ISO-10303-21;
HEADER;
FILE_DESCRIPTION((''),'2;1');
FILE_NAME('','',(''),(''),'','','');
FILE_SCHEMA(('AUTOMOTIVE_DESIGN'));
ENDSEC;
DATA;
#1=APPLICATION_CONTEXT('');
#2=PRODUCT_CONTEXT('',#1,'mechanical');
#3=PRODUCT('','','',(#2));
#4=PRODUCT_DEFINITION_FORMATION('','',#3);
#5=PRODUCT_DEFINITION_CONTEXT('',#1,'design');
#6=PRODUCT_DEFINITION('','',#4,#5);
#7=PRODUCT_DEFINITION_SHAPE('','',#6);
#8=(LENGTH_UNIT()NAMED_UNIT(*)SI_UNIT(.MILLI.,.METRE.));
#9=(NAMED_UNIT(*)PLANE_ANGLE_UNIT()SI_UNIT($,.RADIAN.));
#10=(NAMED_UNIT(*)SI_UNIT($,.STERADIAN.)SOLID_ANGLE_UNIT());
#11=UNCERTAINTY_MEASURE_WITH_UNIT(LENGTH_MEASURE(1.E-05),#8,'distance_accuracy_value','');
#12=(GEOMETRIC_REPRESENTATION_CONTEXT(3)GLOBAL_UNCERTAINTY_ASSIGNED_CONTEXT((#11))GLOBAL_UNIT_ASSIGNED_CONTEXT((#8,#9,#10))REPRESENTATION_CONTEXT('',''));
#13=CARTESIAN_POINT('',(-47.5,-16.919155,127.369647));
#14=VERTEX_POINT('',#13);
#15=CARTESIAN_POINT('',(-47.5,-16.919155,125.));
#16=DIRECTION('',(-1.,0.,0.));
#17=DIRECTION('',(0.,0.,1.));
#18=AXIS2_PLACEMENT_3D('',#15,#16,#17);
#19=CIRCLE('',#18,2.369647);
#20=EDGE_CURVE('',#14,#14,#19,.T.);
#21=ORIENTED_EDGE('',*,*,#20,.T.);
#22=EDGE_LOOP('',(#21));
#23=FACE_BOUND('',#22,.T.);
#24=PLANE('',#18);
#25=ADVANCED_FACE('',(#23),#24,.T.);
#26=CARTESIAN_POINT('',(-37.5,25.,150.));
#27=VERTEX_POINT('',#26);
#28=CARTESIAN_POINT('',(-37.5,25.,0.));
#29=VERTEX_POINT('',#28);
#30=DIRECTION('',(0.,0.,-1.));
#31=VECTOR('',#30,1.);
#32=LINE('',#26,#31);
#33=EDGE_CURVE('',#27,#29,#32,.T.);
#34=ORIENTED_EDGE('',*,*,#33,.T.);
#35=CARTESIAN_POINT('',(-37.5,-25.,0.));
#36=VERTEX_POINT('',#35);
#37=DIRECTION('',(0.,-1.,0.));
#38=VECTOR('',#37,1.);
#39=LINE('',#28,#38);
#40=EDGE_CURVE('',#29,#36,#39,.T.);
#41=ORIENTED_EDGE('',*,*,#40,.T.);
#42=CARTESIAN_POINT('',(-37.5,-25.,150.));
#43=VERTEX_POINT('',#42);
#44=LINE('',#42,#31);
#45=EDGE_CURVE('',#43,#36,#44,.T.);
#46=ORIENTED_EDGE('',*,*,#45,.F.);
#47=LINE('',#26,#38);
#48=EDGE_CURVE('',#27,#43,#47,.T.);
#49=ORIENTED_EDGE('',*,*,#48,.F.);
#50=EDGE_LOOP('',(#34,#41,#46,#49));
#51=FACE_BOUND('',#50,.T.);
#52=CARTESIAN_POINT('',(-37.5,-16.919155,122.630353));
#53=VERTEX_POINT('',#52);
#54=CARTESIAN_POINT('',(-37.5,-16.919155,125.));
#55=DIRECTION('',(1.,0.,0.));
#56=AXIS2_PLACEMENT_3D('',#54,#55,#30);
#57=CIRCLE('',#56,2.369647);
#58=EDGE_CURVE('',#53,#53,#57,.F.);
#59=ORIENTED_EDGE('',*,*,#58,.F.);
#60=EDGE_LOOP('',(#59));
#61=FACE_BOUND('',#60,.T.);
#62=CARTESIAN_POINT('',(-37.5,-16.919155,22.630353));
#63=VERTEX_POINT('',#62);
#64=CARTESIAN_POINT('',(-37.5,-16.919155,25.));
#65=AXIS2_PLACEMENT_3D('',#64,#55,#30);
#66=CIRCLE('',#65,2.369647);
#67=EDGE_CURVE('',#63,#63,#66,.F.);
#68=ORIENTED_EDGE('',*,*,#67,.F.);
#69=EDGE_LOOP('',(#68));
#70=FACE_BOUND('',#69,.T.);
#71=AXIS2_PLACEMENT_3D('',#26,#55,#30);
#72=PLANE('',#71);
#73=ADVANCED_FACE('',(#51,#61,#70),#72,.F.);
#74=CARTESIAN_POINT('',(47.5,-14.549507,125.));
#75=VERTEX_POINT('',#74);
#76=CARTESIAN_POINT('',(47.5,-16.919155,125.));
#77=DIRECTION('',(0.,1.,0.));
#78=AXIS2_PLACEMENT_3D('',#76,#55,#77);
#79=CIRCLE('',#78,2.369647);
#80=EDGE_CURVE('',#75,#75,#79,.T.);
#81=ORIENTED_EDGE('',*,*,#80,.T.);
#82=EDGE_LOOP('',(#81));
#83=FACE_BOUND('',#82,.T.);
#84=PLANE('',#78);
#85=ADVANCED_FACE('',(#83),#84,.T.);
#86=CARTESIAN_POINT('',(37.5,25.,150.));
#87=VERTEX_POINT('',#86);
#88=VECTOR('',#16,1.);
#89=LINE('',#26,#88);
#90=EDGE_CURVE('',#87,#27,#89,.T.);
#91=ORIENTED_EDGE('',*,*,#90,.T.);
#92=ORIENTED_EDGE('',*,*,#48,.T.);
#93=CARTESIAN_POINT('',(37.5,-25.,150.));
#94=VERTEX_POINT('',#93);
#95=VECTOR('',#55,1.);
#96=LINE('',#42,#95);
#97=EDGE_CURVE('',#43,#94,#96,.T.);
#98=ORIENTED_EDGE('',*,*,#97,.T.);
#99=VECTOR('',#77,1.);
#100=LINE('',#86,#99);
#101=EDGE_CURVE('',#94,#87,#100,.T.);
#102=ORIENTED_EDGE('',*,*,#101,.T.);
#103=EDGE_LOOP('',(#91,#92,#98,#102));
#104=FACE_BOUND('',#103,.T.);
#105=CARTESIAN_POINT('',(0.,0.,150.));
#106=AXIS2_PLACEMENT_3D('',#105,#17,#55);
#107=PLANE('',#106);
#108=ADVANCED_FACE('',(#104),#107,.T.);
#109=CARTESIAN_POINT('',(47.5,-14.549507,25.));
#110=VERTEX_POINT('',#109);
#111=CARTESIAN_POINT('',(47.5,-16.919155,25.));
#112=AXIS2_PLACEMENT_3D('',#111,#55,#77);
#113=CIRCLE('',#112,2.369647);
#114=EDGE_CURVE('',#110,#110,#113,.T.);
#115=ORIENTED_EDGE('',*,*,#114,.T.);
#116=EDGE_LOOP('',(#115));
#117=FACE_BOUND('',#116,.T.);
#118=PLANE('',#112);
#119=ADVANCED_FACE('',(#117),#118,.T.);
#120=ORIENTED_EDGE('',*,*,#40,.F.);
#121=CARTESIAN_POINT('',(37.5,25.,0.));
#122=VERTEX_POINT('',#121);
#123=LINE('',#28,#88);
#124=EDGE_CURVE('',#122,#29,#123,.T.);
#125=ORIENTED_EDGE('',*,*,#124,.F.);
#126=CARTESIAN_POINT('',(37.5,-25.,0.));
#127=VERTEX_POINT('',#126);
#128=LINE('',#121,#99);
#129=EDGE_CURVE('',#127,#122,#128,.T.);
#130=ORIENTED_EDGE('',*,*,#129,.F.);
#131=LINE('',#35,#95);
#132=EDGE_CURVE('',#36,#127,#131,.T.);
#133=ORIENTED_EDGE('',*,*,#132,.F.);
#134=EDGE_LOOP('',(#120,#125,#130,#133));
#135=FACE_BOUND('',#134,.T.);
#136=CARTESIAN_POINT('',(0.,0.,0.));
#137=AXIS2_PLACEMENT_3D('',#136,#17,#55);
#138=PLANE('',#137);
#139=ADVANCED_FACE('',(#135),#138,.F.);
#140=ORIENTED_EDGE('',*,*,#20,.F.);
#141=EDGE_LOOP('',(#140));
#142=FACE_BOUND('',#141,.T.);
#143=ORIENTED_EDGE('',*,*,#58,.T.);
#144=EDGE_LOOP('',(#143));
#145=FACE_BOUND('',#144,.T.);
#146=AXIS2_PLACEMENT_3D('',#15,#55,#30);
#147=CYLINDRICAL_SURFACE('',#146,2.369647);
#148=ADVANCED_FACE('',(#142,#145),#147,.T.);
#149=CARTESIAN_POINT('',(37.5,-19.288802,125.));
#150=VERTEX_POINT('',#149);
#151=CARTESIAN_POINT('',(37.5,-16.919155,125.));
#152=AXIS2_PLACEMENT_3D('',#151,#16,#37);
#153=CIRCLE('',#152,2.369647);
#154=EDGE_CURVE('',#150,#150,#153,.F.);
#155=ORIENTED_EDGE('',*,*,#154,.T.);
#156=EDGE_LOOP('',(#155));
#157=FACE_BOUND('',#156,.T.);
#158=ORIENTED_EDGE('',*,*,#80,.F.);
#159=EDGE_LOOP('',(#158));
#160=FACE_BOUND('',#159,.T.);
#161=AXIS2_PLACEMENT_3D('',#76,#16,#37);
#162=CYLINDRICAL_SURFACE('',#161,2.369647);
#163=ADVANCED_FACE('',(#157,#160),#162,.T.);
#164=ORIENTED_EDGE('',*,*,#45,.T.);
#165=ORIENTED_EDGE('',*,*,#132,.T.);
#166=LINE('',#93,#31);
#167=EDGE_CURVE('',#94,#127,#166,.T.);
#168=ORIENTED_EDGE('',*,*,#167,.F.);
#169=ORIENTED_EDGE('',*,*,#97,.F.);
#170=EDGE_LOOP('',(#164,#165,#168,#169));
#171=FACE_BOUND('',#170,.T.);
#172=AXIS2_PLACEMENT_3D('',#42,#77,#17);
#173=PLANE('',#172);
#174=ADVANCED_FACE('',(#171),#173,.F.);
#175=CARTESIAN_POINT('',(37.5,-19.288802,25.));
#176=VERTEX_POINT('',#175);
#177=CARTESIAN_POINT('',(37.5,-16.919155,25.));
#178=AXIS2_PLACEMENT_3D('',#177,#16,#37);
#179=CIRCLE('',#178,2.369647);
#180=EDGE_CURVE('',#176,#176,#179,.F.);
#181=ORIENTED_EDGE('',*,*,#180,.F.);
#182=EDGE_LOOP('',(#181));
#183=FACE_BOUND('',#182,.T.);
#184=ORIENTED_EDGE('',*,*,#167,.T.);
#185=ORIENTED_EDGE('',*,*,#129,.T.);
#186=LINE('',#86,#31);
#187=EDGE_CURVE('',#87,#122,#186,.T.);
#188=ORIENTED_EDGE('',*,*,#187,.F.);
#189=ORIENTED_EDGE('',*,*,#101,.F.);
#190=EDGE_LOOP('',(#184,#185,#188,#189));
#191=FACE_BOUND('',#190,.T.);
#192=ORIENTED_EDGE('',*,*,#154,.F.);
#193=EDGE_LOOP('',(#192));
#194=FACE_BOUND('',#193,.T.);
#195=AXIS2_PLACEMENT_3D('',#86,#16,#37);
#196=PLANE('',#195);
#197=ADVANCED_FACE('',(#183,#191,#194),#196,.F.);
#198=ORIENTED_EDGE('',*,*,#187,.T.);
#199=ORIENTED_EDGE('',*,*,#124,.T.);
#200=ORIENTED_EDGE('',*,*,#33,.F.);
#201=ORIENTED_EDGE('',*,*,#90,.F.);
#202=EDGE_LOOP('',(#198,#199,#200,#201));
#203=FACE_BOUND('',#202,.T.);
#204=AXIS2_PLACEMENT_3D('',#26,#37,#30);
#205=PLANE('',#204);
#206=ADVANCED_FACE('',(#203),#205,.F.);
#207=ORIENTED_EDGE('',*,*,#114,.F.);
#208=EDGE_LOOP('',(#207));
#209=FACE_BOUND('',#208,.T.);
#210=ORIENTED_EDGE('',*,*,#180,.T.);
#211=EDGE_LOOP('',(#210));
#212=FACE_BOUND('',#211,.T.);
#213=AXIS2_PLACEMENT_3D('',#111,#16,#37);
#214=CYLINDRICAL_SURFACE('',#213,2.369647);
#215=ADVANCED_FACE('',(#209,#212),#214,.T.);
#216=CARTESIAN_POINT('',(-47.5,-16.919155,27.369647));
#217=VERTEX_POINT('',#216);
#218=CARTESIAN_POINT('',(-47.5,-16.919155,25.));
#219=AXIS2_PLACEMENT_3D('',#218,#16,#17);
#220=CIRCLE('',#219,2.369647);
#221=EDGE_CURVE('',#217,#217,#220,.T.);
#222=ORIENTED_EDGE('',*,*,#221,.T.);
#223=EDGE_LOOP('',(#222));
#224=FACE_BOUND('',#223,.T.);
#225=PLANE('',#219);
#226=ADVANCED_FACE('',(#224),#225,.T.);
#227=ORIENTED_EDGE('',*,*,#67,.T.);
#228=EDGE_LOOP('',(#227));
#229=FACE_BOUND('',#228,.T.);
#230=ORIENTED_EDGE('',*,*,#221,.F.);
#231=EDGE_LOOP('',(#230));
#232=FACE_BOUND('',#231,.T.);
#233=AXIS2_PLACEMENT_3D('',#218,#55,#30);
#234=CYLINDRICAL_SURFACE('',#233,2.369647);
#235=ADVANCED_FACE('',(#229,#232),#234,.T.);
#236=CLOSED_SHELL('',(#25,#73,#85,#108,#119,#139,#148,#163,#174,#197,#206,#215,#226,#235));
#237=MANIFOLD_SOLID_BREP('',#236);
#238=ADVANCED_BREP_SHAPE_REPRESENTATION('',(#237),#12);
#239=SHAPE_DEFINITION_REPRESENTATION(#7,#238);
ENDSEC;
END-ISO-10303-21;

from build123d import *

# Parameters (mm, degrees)
SKETCH1_W           = 75
SKETCH1_H           = 50
BOSS_EXTRUDE1_DEPTH = 150
SKETCH2_R           = 2.369647205
BOSS_EXTRUDE2_DEPTH = 10
BOSS_EXTRUDE3_START = 10
SKETCH3_R           = 2.369647205
BOSS_EXTRUDE3_DEPTH = 10


with BuildPart() as part:
    # Sketch1 → Boss-Extrude1 (new body)
    with BuildSketch(Plane.XY):
        Rectangle(SKETCH1_W, SKETCH1_H)
    extrude(amount=BOSS_EXTRUDE1_DEPTH)

    # Sketch2 → Boss-Extrude2 (add)
    with BuildSketch(Plane(origin=(37.5, 0, 0), x_dir=(0, 0, -1), z_dir=(1, 0, 0))):
        with Locations(Location((-125, -16.919154578, 0), (0, 0, 270))):
            Circle(SKETCH2_R)
        with Locations(Location((-25, -16.919154578, 0), (0, 0, 270))):
            Circle(SKETCH2_R)
    extrude(amount=BOSS_EXTRUDE2_DEPTH)

    # Sketch3 → Boss-Extrude3 (add)
    with BuildSketch(Plane.ZY.offset(37.5).offset(BOSS_EXTRUDE3_START)):
        with Locations(Location((25, -16.919154578, 0), (0, 0, 270))):
            Circle(SKETCH3_R)
        with Locations(Location((125, -16.919154578, 0), (0, 0, 270))):
            Circle(SKETCH3_R)
    extrude(amount=-BOSS_EXTRUDE3_DEPTH)


solid = part.part
